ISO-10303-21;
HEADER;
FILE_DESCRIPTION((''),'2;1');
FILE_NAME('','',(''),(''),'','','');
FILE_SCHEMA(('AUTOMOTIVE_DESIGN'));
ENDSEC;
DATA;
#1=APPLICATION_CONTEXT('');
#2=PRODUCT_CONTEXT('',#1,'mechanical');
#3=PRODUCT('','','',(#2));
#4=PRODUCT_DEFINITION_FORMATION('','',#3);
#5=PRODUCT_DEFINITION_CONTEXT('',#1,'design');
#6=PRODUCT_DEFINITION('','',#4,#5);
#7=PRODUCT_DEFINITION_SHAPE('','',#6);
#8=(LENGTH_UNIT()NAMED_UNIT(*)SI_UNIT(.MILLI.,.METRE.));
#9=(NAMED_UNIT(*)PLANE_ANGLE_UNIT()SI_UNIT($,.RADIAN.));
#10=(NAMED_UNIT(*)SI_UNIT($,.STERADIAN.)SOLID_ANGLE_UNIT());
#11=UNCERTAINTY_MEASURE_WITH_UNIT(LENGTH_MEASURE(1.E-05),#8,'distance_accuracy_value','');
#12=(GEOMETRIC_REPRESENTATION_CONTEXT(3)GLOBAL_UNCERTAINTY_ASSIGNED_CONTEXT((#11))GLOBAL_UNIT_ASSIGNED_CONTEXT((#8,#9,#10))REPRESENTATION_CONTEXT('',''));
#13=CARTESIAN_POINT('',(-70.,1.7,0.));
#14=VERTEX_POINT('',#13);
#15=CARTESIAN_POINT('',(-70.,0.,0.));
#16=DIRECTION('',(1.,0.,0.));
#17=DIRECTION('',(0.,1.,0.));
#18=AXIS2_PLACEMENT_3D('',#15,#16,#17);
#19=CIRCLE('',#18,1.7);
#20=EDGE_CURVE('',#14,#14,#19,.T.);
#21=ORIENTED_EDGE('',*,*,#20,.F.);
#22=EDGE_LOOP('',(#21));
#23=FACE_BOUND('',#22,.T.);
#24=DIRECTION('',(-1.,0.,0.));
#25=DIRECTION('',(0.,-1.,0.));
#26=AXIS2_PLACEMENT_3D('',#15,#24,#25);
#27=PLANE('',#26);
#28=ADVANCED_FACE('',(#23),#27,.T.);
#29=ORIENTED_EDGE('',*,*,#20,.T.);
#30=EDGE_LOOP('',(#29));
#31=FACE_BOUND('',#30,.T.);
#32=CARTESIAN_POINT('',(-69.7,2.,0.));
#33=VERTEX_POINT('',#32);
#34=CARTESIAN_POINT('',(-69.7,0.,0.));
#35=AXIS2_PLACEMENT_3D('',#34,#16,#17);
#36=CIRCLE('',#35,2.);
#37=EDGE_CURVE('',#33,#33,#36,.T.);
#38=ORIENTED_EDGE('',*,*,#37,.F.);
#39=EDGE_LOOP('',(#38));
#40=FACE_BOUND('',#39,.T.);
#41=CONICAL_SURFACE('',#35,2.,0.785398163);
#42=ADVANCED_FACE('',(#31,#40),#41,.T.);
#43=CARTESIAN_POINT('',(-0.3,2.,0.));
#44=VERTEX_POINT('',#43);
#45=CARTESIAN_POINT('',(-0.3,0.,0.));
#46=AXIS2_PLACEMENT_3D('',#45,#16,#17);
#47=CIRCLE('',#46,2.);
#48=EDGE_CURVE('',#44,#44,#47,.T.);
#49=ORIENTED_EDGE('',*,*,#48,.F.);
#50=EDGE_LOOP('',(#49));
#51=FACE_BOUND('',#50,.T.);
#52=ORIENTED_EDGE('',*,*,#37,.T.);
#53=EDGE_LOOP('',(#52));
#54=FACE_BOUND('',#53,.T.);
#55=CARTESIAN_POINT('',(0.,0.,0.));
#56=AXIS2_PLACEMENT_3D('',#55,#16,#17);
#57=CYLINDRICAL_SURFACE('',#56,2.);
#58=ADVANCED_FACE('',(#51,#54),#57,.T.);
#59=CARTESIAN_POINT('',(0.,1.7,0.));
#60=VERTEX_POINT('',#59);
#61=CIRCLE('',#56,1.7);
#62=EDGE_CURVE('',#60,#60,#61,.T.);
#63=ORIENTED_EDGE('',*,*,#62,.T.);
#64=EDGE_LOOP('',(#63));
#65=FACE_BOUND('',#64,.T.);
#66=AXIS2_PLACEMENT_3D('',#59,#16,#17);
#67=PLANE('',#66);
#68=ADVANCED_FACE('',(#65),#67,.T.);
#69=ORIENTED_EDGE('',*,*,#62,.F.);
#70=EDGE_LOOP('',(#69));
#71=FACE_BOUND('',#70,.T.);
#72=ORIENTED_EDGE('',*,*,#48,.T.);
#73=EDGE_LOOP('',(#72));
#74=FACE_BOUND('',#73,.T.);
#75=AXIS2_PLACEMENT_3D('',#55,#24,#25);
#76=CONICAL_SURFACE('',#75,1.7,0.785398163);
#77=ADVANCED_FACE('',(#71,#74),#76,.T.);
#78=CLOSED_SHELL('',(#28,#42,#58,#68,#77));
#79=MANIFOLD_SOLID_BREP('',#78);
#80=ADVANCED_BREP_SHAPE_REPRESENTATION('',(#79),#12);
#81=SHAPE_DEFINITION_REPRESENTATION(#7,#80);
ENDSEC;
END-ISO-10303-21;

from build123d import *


with BuildPart() as part:
    # Esquisse1 → Révolution1 (revolve)
    with BuildSketch(Plane.XY):
        Polygon((0, 0), (-70, 0), (-70, 1.7), (-69.7, 2), (-0.3, 2), (0, 1.7), align=None)
    revolve(axis=Axis((0, 0, 0), (-1, 0, 0)))


solid = part.part
